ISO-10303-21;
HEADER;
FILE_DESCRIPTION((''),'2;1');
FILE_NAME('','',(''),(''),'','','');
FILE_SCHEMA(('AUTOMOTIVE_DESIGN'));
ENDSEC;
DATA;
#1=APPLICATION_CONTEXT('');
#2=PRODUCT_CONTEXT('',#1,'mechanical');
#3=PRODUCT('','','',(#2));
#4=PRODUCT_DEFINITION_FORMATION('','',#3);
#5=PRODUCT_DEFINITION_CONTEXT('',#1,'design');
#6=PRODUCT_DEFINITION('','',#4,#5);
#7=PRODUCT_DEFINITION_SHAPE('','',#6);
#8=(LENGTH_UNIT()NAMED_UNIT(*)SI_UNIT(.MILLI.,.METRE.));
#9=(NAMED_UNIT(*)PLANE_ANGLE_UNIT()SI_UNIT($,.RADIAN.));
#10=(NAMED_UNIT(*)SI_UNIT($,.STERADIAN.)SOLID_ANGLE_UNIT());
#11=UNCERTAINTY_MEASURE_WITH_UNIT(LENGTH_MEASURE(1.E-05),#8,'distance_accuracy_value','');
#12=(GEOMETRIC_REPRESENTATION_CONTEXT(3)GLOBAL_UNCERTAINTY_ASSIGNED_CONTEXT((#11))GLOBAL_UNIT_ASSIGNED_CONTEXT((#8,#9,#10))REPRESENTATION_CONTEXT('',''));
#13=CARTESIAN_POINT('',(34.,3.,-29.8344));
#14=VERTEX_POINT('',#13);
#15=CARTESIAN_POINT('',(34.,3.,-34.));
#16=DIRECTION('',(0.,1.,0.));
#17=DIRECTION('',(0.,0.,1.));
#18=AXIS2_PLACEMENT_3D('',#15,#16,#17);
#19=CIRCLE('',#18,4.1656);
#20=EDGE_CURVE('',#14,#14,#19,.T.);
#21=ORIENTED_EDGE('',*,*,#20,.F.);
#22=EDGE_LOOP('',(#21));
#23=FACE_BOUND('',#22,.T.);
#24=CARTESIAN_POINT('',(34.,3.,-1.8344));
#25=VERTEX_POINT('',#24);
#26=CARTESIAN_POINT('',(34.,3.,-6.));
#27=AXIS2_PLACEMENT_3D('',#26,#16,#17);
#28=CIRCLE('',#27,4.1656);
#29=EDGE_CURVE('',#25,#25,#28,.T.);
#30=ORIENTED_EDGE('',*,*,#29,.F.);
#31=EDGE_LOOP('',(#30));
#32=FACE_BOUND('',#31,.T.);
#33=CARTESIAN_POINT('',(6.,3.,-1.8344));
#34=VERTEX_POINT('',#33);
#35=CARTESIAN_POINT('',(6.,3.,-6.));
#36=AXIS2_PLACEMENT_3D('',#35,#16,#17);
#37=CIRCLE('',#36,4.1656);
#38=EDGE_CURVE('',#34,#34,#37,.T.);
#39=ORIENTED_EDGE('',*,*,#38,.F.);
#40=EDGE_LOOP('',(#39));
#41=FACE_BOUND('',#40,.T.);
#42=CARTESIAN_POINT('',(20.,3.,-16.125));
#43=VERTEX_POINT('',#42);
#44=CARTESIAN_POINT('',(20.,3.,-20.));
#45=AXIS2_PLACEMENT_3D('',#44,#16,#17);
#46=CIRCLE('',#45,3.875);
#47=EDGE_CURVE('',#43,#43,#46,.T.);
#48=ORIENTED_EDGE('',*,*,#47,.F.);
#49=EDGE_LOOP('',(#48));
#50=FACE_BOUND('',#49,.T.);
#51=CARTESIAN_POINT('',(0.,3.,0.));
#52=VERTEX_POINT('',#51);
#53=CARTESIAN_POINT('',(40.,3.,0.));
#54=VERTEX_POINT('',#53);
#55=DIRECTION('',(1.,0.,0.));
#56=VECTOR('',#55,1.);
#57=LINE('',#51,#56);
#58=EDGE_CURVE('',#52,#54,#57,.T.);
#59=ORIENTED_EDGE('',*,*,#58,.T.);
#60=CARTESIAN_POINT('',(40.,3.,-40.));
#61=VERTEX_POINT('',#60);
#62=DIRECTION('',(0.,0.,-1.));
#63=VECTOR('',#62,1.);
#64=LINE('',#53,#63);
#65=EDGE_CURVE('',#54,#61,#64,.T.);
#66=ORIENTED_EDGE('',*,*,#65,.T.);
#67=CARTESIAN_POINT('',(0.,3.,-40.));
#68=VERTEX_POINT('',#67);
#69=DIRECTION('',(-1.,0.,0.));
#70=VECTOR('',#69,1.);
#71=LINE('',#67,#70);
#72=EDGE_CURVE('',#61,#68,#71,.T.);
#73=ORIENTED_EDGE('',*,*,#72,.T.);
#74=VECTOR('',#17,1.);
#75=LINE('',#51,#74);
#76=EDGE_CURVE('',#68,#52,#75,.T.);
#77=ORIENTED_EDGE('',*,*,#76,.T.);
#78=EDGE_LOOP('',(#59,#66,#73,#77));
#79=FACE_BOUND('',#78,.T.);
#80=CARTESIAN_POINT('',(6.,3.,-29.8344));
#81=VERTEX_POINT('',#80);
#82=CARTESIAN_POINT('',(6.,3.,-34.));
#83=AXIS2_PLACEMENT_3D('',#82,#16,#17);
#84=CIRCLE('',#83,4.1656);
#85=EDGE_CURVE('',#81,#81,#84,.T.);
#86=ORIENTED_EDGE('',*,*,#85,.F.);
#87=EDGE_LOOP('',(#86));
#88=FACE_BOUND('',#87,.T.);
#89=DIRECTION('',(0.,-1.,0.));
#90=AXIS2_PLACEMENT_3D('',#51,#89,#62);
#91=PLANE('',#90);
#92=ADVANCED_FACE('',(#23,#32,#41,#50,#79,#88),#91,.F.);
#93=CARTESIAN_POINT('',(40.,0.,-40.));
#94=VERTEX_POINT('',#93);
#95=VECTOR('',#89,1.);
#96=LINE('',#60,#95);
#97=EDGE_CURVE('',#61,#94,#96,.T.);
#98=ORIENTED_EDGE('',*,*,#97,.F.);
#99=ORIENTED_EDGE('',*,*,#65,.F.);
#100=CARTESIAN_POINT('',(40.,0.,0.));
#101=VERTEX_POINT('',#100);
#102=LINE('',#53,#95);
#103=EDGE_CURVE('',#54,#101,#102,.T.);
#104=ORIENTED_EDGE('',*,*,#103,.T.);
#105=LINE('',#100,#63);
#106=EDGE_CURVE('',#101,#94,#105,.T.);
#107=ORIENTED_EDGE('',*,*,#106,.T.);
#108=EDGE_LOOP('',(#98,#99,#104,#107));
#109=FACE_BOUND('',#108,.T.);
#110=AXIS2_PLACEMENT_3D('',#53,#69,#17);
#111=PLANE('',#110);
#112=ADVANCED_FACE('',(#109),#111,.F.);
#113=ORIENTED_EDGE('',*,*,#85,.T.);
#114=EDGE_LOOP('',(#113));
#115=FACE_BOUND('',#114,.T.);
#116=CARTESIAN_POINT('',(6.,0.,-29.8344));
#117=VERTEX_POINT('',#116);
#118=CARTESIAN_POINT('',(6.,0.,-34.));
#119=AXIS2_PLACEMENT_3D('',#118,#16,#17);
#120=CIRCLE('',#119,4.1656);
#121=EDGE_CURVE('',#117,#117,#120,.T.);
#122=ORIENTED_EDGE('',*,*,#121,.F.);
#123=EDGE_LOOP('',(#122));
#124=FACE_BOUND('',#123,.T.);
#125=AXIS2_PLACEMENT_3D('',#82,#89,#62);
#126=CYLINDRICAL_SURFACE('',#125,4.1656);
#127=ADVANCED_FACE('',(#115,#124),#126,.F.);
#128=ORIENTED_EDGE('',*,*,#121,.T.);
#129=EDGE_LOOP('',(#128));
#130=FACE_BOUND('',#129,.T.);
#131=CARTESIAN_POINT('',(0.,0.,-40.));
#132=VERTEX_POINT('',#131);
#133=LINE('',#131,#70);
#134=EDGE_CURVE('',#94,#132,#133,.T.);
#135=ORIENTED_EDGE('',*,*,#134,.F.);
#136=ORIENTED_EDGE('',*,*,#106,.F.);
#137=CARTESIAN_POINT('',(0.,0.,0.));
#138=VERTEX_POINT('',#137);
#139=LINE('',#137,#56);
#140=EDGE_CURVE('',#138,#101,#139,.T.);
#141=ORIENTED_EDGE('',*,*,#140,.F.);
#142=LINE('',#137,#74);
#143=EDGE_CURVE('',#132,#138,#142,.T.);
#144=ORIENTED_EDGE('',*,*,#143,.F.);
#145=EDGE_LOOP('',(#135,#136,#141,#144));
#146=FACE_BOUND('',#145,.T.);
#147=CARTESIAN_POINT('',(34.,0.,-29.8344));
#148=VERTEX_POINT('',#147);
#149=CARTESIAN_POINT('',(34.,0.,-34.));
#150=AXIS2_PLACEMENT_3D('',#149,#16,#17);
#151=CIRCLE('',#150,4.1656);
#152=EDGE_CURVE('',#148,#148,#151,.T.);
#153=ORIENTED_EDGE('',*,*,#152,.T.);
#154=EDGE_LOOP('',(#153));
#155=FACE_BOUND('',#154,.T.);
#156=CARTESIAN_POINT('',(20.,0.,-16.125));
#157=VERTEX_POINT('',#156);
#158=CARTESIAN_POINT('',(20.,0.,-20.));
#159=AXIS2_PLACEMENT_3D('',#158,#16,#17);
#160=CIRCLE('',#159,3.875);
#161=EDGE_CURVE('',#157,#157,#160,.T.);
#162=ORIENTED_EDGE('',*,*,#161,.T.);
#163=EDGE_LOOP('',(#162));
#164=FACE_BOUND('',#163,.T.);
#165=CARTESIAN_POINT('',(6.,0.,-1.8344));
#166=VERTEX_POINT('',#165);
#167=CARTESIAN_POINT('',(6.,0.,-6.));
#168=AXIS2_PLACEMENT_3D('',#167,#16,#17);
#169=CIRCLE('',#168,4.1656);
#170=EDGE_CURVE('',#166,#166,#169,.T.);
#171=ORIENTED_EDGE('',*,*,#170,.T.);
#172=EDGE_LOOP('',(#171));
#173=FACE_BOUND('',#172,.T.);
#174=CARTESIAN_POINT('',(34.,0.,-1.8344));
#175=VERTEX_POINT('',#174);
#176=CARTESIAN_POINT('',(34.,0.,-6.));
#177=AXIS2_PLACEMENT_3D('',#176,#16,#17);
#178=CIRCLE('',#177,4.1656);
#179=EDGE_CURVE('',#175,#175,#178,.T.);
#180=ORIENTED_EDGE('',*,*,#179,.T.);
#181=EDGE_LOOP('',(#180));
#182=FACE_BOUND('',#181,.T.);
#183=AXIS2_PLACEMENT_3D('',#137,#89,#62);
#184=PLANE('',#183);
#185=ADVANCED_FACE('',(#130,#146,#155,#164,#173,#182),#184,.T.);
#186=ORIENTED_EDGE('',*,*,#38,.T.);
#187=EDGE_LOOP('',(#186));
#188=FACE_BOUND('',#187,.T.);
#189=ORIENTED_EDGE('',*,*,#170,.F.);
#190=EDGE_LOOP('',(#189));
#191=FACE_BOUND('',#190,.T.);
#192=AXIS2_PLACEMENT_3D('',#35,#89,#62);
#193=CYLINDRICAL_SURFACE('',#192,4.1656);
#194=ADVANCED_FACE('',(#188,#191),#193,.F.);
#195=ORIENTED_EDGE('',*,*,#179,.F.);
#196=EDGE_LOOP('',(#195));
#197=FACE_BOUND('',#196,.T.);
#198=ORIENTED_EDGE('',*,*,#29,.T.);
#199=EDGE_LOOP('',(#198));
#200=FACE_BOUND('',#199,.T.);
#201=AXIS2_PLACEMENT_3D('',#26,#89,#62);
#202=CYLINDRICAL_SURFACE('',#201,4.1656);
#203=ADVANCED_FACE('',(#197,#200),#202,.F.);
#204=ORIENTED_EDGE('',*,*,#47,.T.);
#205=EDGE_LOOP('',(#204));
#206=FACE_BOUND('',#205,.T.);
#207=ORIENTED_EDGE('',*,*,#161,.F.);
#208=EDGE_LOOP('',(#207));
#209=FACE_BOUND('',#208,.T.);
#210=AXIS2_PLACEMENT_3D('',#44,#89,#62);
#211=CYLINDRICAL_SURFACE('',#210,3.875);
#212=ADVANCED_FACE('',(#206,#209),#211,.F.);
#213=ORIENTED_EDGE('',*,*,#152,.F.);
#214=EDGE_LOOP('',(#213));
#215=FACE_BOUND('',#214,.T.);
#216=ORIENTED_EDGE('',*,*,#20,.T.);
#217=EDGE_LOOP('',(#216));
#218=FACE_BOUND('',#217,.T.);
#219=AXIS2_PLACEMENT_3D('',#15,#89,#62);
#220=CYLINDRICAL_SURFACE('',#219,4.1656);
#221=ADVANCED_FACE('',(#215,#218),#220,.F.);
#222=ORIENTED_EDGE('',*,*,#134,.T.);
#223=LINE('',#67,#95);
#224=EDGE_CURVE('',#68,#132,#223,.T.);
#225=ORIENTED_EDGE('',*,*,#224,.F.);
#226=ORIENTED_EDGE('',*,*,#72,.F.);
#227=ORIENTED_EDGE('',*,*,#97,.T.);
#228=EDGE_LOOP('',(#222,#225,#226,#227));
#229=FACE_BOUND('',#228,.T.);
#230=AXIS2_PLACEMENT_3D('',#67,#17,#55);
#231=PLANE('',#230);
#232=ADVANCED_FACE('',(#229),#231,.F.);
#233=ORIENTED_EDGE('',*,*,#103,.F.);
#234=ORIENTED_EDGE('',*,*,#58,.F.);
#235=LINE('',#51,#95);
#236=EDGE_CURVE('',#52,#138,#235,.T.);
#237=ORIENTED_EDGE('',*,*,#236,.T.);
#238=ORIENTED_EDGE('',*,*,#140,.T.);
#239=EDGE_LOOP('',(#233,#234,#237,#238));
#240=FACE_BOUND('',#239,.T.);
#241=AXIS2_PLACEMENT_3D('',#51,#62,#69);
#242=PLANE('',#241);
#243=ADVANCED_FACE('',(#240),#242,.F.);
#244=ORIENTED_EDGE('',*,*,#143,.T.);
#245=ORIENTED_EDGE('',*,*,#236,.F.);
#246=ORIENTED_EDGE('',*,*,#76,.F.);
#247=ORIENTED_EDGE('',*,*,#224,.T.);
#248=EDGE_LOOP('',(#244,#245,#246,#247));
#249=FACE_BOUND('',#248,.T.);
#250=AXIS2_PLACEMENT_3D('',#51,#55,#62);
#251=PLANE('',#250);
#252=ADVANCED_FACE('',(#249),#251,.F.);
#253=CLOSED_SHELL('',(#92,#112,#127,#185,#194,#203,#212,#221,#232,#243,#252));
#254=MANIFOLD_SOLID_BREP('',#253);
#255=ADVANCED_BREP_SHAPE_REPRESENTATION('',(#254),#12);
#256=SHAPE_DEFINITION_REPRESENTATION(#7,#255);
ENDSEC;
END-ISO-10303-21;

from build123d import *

# Parameters (mm, degrees)
SKETCH1_W           = 40
SKETCH1_H           = 40
SKETCH1_R           = 3.875
SKETCH1_R_2         = 4.1656
BOSS_EXTRUDE1_DEPTH = 3


with BuildPart() as part:
    # Sketch1 → Boss-Extrude1 (new body)
    with BuildSketch(Plane(origin=(0, 0, 0), x_dir=(1, 0, 0), z_dir=(0, 1, 0))):
        with Locations((20, 20)):
            Rectangle(SKETCH1_W, SKETCH1_H)
        with Locations(Location((20, 20, 0), (0, 0, 270))):
            Circle(SKETCH1_R, mode=Mode.SUBTRACT)
        with Locations(Location((6, 34, 0), (0, 0, 270))):
            Circle(SKETCH1_R_2, mode=Mode.SUBTRACT)
        with Locations(Location((6, 6, 0), (0, 0, 270))):
            Circle(SKETCH1_R_2, mode=Mode.SUBTRACT)
        with Locations(Location((34, 6, 0), (0, 0, 270))):
            Circle(SKETCH1_R_2, mode=Mode.SUBTRACT)
        with Locations(Location((34, 34, 0), (0, 0, 270))):
            Circle(SKETCH1_R_2, mode=Mode.SUBTRACT)
    extrude(amount=BOSS_EXTRUDE1_DEPTH)


solid = part.part
